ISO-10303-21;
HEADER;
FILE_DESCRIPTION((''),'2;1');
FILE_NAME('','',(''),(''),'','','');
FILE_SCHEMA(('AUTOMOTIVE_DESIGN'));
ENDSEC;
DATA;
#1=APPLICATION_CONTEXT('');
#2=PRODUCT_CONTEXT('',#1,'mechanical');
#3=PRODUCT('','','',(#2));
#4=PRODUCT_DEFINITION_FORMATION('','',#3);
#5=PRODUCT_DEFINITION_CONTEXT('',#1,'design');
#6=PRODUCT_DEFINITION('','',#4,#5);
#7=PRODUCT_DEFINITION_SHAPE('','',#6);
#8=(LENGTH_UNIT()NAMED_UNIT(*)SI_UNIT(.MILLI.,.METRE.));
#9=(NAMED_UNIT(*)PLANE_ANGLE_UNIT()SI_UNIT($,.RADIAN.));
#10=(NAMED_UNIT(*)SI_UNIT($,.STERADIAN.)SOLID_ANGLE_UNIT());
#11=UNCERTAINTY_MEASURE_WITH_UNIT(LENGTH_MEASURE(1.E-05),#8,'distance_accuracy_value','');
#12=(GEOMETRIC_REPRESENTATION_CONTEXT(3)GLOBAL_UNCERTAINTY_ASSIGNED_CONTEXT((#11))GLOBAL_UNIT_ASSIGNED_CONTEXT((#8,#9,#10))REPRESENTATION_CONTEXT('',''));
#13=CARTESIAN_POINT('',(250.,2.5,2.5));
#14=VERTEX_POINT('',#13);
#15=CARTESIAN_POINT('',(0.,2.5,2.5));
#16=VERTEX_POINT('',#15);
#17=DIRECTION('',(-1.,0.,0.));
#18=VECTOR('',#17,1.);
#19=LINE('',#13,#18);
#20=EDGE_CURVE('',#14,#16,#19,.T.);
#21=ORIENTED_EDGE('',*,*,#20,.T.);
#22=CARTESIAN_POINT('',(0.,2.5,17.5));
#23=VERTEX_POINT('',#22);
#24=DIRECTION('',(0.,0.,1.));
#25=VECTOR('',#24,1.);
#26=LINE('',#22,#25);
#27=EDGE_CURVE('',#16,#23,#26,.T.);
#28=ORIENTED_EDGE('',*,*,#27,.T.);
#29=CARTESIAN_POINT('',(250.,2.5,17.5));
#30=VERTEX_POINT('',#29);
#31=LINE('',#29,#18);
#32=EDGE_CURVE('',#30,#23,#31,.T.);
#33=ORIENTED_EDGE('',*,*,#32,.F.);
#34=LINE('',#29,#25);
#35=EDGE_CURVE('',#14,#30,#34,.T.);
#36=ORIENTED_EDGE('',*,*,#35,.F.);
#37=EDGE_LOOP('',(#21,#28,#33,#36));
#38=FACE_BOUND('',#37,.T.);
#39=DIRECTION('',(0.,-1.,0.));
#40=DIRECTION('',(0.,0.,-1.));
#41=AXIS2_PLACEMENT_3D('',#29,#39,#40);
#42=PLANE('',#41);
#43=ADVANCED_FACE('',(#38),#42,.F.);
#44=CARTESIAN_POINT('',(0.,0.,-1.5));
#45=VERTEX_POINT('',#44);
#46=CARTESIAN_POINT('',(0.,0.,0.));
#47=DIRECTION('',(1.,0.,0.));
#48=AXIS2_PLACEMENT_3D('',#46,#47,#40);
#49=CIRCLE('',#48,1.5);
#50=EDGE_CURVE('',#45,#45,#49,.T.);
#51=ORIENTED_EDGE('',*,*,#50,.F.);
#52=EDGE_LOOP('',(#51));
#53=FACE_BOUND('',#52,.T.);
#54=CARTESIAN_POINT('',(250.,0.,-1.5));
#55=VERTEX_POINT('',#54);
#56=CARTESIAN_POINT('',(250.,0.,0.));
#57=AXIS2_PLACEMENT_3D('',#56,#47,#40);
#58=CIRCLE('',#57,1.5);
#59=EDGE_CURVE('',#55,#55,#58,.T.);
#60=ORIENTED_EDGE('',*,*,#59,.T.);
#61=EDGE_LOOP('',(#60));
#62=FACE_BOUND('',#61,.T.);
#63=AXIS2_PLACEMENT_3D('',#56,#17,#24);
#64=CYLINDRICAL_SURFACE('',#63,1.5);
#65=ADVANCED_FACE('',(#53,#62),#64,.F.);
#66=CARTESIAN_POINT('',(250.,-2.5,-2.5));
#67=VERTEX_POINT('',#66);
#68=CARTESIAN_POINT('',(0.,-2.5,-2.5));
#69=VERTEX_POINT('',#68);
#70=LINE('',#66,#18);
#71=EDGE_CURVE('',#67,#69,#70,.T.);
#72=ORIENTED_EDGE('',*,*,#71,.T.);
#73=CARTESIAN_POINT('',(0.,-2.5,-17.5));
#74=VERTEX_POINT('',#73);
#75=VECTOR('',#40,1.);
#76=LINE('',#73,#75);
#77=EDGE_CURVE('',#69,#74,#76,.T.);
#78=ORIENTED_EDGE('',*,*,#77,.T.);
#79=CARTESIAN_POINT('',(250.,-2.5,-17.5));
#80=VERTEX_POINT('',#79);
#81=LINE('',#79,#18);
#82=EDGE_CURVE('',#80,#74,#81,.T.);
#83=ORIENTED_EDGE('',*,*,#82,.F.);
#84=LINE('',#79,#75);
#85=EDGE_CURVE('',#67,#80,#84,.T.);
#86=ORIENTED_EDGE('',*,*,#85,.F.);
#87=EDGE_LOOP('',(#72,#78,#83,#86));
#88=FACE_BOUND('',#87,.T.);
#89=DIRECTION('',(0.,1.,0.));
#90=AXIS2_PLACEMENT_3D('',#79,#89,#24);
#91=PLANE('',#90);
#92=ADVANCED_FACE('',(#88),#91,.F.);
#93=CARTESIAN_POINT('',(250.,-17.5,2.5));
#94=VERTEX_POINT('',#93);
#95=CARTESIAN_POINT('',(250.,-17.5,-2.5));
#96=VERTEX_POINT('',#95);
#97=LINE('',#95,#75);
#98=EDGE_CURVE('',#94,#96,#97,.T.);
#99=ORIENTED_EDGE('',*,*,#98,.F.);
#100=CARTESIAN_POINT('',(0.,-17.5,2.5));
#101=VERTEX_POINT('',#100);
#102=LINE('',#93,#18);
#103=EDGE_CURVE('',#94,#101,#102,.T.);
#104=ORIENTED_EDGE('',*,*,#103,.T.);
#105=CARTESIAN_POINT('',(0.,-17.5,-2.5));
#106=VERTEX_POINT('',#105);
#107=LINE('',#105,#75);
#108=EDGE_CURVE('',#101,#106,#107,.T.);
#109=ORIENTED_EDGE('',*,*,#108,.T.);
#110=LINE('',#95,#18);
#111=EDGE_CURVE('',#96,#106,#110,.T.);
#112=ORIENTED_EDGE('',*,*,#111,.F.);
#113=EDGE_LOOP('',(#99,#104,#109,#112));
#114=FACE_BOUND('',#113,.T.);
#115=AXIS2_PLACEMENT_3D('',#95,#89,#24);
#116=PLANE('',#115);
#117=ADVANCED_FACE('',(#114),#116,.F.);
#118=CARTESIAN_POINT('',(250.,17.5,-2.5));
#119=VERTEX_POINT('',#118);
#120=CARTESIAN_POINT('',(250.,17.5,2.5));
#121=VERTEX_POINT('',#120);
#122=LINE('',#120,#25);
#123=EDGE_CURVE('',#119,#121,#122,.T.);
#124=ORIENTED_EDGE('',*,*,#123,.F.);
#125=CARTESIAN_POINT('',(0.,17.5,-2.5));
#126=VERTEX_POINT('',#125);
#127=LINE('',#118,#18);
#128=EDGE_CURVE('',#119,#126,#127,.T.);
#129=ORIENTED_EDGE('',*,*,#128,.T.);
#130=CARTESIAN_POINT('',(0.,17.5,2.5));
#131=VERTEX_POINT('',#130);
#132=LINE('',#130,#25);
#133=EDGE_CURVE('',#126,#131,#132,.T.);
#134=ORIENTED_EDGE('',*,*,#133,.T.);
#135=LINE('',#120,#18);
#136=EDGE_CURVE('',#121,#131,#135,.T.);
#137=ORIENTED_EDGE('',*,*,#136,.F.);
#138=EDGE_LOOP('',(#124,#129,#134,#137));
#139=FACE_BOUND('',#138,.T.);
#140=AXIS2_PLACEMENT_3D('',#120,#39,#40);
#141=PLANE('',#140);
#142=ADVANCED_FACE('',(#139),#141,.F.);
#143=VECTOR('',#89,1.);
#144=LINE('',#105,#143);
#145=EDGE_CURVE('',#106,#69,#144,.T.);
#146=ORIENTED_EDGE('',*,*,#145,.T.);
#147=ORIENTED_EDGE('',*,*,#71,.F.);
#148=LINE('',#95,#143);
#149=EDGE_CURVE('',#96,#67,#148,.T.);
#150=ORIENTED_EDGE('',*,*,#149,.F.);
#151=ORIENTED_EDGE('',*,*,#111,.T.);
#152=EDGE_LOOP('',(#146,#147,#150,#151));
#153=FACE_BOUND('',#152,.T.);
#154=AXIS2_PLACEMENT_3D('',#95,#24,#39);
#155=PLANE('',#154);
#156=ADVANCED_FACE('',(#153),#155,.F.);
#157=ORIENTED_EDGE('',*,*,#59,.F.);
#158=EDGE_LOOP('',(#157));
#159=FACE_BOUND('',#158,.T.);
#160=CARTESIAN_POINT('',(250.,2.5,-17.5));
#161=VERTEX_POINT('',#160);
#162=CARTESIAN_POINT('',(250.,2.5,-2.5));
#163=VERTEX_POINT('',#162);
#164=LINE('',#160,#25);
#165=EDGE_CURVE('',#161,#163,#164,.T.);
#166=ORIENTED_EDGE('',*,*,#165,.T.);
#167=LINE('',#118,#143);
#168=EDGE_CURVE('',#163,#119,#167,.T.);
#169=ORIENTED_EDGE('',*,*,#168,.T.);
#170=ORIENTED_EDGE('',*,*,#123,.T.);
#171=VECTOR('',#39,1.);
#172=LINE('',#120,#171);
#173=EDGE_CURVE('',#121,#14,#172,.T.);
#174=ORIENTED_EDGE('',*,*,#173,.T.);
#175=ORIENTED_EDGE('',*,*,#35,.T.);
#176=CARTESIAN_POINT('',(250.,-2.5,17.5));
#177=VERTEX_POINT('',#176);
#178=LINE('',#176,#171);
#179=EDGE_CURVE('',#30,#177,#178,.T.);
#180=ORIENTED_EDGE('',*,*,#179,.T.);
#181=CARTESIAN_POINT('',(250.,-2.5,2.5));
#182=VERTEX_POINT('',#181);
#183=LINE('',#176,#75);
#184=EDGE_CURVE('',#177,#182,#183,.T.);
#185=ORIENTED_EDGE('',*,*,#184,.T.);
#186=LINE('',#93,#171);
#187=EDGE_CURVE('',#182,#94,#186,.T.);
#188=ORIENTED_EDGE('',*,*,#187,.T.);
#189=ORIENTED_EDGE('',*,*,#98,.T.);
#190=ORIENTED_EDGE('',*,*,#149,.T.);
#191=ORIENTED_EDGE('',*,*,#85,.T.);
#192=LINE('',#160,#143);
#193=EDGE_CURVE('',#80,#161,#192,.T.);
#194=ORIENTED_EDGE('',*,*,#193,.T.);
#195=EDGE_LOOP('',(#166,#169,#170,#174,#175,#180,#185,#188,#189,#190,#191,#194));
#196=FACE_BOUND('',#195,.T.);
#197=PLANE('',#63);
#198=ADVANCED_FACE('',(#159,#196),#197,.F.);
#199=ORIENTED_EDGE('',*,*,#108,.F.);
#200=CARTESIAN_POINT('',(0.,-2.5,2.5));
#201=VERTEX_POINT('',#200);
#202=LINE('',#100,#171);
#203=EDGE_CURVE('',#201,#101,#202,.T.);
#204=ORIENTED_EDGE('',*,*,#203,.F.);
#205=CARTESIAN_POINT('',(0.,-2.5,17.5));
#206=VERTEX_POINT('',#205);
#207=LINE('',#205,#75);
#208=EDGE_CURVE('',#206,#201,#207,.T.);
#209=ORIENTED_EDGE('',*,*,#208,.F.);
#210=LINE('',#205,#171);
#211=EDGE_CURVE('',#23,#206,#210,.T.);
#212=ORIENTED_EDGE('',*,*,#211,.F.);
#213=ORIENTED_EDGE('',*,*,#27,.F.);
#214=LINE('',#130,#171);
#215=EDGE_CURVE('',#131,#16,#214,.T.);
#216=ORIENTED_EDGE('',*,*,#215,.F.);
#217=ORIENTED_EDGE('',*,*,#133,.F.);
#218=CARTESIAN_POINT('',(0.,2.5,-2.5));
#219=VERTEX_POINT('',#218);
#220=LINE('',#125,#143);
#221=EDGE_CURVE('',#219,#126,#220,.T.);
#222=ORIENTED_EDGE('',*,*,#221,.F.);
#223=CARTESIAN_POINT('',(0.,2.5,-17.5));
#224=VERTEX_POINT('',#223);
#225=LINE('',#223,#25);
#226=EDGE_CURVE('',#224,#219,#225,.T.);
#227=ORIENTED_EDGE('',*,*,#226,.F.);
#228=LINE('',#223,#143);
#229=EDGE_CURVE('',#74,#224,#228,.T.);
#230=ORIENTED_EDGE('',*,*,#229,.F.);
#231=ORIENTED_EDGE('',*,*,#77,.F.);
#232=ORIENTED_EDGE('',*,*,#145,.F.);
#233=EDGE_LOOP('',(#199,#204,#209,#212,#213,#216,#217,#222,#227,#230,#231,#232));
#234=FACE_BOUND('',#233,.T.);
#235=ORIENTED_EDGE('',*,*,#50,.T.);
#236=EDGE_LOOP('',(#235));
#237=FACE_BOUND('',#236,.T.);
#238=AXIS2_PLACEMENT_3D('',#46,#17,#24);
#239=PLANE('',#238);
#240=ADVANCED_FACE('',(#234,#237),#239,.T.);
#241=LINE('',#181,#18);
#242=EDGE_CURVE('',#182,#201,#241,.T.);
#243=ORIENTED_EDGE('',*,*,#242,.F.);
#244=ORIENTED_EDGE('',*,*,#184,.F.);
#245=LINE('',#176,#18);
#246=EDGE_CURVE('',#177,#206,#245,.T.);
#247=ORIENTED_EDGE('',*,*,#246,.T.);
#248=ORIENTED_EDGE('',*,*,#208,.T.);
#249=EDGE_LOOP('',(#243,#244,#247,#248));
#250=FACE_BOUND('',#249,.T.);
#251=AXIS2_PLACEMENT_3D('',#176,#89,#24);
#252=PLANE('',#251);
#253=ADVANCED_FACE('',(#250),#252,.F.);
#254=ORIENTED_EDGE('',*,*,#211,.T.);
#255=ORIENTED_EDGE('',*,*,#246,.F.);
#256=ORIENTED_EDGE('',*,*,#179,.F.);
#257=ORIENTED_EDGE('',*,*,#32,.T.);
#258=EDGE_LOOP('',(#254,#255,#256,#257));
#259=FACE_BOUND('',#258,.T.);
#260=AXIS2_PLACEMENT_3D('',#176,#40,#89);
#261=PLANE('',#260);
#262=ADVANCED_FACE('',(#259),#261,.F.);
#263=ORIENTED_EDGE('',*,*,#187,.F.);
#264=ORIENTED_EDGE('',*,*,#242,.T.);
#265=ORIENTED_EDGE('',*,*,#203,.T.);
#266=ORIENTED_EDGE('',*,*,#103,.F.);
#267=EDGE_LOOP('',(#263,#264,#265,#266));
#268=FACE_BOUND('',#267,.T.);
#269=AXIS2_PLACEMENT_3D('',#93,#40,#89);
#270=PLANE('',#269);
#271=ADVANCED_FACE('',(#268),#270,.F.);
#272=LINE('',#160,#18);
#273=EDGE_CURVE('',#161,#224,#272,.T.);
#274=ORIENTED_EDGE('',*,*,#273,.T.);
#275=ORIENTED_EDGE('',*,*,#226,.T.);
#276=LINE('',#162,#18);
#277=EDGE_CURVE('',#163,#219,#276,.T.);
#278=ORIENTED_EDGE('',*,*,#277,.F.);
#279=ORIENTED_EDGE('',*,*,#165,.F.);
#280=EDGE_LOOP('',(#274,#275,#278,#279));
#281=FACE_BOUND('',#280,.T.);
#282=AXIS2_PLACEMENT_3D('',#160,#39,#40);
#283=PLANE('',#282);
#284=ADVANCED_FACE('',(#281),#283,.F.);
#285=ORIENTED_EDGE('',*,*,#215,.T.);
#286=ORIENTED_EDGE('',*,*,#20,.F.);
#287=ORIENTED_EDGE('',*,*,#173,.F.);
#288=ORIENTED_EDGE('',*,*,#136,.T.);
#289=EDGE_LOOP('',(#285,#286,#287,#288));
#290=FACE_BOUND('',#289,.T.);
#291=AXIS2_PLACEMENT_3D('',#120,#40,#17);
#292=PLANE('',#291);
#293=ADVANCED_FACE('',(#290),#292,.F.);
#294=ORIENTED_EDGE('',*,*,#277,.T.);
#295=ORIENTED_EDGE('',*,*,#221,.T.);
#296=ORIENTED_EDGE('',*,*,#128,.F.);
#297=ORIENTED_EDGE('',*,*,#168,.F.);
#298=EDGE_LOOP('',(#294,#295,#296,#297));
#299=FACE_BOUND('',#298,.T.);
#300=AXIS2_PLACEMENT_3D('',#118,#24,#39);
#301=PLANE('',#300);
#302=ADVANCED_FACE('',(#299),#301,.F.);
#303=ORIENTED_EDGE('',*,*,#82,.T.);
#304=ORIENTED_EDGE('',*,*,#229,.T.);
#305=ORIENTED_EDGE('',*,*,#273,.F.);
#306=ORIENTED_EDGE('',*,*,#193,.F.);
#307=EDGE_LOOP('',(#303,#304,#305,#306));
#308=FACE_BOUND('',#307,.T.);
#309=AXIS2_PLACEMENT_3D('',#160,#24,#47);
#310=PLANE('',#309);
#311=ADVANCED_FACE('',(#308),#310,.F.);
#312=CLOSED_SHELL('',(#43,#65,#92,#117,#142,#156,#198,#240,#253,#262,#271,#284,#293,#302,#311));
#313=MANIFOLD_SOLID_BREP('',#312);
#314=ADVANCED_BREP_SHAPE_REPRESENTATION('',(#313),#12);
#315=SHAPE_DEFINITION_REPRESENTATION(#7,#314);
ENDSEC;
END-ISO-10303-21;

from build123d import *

# Parameters (mm, degrees)
SKETCH1_R           = 1.5
BOSS_EXTRUDE1_DEPTH = 250


with BuildPart() as part:
    # Sketch1 → Boss-Extrude1 (new body)
    with BuildSketch(Plane(origin=(0, 0, 0), x_dir=(0, 0, -1), z_dir=(1, 0, 0))):
        Polygon((17.5, 2.5), (2.5, 2.5), (2.5, 17.5), (-2.5, 17.5), (-2.5, 2.5), (-17.5, 2.5), (-17.5, -2.5), (-2.5, -2.5), (-2.5, -17.5), (2.5, -17.5), (2.5, -2.5), (17.5, -2.5), align=None)
        Circle(SKETCH1_R, mode=Mode.SUBTRACT)
    extrude(amount=BOSS_EXTRUDE1_DEPTH)


solid = part.part
